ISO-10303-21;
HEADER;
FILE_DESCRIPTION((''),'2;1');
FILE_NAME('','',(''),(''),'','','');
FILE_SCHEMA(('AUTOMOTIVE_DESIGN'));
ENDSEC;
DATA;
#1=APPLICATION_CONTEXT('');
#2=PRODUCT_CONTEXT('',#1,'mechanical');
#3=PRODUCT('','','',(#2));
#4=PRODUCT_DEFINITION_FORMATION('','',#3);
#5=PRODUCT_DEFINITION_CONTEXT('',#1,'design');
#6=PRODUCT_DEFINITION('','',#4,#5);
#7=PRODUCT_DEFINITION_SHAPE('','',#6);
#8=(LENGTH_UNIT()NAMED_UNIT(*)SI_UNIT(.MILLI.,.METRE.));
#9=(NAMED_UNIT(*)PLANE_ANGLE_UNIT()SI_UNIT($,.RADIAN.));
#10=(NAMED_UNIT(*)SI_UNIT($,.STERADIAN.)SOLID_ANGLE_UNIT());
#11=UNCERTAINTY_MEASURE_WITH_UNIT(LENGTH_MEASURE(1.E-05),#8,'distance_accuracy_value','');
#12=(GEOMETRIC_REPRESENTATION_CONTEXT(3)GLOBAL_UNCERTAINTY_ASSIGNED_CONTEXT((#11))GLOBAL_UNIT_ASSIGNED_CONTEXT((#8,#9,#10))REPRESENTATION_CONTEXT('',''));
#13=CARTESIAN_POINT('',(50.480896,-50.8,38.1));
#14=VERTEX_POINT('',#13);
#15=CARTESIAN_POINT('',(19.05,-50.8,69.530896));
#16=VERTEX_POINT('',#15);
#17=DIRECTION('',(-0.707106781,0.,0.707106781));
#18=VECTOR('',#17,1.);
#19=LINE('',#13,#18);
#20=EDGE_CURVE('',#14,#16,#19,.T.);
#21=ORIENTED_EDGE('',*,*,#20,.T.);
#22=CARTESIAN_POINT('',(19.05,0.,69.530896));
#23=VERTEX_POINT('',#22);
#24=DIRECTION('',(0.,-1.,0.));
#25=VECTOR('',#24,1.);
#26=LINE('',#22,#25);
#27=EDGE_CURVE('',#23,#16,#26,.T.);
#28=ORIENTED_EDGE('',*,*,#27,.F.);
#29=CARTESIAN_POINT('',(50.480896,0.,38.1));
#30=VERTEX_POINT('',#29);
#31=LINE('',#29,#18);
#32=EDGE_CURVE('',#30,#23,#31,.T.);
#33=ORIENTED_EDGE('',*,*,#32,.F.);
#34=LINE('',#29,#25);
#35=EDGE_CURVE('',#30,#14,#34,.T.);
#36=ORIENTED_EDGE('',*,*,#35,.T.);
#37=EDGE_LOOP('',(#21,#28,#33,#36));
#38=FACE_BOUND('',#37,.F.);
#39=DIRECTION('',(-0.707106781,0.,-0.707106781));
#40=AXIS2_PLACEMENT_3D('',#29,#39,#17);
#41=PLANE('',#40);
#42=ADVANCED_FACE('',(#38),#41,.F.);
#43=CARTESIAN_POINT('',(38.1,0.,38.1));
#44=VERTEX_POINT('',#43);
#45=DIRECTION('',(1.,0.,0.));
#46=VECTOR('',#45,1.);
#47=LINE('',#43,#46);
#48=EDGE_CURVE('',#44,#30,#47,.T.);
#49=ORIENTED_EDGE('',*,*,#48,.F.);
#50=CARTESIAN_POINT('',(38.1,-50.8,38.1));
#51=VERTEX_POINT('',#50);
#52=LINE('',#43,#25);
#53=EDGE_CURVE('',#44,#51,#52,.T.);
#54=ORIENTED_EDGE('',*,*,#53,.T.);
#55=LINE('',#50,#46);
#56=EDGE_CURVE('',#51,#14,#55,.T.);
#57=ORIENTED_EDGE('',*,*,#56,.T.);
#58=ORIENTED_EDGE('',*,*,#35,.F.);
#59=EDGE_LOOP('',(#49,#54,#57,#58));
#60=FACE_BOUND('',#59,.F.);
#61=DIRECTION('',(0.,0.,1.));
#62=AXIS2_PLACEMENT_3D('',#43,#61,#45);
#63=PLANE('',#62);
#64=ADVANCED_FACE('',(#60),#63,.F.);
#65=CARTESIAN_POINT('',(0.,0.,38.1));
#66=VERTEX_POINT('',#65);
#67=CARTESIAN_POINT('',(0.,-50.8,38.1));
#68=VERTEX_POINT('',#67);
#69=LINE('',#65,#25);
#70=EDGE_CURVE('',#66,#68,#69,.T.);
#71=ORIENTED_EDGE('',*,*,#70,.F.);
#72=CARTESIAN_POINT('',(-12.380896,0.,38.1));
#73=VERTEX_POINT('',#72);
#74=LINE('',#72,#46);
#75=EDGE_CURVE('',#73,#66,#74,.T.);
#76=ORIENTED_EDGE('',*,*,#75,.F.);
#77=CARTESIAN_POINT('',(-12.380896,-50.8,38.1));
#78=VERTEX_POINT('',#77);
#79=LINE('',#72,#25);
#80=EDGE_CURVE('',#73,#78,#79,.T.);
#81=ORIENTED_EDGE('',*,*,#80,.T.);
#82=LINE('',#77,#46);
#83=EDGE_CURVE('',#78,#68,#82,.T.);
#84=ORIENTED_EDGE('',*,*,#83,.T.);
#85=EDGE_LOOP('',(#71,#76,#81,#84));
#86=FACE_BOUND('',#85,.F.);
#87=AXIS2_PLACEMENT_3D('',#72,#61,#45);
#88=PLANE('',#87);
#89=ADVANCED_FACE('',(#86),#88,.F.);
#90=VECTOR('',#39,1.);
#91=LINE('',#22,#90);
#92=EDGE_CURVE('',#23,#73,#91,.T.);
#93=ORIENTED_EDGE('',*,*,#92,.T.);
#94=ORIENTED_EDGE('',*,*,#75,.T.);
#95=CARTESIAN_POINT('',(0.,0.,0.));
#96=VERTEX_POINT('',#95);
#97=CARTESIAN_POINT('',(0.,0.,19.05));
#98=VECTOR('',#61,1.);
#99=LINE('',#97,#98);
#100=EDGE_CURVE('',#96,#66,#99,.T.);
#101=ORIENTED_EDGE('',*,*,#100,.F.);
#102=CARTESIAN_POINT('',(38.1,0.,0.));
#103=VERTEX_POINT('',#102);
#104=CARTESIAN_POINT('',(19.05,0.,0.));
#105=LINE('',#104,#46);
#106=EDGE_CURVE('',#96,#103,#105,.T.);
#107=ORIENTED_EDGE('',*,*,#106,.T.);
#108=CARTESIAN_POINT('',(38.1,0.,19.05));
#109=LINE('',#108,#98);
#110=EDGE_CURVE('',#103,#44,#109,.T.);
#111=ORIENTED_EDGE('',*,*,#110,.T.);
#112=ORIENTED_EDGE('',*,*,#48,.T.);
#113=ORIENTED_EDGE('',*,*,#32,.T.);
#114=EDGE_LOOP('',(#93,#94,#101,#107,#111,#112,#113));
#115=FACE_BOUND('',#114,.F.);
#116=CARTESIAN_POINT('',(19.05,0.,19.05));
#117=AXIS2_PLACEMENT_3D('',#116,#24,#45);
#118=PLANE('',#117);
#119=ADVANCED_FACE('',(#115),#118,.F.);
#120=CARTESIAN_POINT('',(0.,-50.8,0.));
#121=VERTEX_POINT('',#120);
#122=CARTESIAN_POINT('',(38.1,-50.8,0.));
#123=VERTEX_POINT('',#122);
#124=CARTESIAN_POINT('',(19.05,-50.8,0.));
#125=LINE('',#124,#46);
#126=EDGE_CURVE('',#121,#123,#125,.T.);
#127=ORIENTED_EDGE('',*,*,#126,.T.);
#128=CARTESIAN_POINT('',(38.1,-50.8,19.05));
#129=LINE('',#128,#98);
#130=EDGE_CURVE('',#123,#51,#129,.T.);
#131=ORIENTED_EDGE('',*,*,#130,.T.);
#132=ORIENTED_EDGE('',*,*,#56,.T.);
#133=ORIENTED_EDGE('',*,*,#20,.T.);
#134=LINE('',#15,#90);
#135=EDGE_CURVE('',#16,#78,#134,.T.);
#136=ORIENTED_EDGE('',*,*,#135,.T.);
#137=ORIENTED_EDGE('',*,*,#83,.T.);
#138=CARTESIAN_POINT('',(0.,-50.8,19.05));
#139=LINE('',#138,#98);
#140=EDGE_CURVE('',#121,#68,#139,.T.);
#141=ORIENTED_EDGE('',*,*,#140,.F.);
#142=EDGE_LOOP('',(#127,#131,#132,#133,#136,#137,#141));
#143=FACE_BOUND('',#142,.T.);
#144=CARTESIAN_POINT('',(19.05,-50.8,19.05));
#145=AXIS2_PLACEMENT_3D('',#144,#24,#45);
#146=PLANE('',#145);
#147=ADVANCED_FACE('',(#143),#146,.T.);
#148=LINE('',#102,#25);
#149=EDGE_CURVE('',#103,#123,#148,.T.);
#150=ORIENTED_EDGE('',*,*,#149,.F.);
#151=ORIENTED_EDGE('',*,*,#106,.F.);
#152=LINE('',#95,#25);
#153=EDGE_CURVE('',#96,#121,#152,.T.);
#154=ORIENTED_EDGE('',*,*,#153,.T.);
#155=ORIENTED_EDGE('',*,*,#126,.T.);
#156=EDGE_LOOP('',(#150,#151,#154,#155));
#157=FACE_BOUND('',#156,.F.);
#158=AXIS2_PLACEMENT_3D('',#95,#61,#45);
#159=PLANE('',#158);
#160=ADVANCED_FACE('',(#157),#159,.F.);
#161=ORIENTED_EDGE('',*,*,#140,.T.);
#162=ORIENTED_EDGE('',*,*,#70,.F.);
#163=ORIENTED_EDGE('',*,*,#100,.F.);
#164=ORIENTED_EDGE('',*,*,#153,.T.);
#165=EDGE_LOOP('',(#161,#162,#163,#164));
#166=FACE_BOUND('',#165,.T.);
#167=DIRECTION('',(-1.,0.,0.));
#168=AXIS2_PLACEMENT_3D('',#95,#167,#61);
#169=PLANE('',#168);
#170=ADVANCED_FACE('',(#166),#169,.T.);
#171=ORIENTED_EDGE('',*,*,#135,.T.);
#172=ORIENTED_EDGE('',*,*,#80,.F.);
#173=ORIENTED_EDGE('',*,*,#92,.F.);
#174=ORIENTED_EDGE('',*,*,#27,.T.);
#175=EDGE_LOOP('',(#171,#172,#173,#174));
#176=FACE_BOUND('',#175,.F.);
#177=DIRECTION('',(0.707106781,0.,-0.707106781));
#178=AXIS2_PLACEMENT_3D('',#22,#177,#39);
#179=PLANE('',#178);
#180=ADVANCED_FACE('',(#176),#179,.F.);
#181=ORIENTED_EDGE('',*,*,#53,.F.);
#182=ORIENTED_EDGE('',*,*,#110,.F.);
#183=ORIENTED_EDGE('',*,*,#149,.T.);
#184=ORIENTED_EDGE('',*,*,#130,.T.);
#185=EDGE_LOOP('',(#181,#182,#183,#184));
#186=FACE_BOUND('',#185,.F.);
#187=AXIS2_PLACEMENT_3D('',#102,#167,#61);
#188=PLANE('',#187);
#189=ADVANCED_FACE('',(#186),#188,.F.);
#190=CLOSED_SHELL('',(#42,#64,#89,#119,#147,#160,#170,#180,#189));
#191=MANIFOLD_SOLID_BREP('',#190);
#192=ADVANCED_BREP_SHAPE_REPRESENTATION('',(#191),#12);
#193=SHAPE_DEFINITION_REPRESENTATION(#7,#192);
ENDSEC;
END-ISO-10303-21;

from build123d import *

# Parameters (mm, degrees)
F0_W     = 38.1
F0_H     = 38.1
F0_R     = 6.58852
F1_DEPTH = 50.8


with BuildPart() as f1:
    # F0 (on Front) → F1 (new body)
    with BuildSketch(Plane.XZ):
        with Locations((19.05, 19.05)):
            Rectangle(F0_W, F0_H)
        with Locations((19.05, 19.05)):
            Circle(F0_R, mode=Mode.SUBTRACT)
        Polygon((-12.380896, 38.1), (0, 38.1), (38.1, 38.1), (50.480896, 38.1), (19.05, 69.530896), align=None)
        with Locations((19.05, 19.05)):
            Circle(F0_R)
    extrude(amount=F1_DEPTH)


solid = f1.part
